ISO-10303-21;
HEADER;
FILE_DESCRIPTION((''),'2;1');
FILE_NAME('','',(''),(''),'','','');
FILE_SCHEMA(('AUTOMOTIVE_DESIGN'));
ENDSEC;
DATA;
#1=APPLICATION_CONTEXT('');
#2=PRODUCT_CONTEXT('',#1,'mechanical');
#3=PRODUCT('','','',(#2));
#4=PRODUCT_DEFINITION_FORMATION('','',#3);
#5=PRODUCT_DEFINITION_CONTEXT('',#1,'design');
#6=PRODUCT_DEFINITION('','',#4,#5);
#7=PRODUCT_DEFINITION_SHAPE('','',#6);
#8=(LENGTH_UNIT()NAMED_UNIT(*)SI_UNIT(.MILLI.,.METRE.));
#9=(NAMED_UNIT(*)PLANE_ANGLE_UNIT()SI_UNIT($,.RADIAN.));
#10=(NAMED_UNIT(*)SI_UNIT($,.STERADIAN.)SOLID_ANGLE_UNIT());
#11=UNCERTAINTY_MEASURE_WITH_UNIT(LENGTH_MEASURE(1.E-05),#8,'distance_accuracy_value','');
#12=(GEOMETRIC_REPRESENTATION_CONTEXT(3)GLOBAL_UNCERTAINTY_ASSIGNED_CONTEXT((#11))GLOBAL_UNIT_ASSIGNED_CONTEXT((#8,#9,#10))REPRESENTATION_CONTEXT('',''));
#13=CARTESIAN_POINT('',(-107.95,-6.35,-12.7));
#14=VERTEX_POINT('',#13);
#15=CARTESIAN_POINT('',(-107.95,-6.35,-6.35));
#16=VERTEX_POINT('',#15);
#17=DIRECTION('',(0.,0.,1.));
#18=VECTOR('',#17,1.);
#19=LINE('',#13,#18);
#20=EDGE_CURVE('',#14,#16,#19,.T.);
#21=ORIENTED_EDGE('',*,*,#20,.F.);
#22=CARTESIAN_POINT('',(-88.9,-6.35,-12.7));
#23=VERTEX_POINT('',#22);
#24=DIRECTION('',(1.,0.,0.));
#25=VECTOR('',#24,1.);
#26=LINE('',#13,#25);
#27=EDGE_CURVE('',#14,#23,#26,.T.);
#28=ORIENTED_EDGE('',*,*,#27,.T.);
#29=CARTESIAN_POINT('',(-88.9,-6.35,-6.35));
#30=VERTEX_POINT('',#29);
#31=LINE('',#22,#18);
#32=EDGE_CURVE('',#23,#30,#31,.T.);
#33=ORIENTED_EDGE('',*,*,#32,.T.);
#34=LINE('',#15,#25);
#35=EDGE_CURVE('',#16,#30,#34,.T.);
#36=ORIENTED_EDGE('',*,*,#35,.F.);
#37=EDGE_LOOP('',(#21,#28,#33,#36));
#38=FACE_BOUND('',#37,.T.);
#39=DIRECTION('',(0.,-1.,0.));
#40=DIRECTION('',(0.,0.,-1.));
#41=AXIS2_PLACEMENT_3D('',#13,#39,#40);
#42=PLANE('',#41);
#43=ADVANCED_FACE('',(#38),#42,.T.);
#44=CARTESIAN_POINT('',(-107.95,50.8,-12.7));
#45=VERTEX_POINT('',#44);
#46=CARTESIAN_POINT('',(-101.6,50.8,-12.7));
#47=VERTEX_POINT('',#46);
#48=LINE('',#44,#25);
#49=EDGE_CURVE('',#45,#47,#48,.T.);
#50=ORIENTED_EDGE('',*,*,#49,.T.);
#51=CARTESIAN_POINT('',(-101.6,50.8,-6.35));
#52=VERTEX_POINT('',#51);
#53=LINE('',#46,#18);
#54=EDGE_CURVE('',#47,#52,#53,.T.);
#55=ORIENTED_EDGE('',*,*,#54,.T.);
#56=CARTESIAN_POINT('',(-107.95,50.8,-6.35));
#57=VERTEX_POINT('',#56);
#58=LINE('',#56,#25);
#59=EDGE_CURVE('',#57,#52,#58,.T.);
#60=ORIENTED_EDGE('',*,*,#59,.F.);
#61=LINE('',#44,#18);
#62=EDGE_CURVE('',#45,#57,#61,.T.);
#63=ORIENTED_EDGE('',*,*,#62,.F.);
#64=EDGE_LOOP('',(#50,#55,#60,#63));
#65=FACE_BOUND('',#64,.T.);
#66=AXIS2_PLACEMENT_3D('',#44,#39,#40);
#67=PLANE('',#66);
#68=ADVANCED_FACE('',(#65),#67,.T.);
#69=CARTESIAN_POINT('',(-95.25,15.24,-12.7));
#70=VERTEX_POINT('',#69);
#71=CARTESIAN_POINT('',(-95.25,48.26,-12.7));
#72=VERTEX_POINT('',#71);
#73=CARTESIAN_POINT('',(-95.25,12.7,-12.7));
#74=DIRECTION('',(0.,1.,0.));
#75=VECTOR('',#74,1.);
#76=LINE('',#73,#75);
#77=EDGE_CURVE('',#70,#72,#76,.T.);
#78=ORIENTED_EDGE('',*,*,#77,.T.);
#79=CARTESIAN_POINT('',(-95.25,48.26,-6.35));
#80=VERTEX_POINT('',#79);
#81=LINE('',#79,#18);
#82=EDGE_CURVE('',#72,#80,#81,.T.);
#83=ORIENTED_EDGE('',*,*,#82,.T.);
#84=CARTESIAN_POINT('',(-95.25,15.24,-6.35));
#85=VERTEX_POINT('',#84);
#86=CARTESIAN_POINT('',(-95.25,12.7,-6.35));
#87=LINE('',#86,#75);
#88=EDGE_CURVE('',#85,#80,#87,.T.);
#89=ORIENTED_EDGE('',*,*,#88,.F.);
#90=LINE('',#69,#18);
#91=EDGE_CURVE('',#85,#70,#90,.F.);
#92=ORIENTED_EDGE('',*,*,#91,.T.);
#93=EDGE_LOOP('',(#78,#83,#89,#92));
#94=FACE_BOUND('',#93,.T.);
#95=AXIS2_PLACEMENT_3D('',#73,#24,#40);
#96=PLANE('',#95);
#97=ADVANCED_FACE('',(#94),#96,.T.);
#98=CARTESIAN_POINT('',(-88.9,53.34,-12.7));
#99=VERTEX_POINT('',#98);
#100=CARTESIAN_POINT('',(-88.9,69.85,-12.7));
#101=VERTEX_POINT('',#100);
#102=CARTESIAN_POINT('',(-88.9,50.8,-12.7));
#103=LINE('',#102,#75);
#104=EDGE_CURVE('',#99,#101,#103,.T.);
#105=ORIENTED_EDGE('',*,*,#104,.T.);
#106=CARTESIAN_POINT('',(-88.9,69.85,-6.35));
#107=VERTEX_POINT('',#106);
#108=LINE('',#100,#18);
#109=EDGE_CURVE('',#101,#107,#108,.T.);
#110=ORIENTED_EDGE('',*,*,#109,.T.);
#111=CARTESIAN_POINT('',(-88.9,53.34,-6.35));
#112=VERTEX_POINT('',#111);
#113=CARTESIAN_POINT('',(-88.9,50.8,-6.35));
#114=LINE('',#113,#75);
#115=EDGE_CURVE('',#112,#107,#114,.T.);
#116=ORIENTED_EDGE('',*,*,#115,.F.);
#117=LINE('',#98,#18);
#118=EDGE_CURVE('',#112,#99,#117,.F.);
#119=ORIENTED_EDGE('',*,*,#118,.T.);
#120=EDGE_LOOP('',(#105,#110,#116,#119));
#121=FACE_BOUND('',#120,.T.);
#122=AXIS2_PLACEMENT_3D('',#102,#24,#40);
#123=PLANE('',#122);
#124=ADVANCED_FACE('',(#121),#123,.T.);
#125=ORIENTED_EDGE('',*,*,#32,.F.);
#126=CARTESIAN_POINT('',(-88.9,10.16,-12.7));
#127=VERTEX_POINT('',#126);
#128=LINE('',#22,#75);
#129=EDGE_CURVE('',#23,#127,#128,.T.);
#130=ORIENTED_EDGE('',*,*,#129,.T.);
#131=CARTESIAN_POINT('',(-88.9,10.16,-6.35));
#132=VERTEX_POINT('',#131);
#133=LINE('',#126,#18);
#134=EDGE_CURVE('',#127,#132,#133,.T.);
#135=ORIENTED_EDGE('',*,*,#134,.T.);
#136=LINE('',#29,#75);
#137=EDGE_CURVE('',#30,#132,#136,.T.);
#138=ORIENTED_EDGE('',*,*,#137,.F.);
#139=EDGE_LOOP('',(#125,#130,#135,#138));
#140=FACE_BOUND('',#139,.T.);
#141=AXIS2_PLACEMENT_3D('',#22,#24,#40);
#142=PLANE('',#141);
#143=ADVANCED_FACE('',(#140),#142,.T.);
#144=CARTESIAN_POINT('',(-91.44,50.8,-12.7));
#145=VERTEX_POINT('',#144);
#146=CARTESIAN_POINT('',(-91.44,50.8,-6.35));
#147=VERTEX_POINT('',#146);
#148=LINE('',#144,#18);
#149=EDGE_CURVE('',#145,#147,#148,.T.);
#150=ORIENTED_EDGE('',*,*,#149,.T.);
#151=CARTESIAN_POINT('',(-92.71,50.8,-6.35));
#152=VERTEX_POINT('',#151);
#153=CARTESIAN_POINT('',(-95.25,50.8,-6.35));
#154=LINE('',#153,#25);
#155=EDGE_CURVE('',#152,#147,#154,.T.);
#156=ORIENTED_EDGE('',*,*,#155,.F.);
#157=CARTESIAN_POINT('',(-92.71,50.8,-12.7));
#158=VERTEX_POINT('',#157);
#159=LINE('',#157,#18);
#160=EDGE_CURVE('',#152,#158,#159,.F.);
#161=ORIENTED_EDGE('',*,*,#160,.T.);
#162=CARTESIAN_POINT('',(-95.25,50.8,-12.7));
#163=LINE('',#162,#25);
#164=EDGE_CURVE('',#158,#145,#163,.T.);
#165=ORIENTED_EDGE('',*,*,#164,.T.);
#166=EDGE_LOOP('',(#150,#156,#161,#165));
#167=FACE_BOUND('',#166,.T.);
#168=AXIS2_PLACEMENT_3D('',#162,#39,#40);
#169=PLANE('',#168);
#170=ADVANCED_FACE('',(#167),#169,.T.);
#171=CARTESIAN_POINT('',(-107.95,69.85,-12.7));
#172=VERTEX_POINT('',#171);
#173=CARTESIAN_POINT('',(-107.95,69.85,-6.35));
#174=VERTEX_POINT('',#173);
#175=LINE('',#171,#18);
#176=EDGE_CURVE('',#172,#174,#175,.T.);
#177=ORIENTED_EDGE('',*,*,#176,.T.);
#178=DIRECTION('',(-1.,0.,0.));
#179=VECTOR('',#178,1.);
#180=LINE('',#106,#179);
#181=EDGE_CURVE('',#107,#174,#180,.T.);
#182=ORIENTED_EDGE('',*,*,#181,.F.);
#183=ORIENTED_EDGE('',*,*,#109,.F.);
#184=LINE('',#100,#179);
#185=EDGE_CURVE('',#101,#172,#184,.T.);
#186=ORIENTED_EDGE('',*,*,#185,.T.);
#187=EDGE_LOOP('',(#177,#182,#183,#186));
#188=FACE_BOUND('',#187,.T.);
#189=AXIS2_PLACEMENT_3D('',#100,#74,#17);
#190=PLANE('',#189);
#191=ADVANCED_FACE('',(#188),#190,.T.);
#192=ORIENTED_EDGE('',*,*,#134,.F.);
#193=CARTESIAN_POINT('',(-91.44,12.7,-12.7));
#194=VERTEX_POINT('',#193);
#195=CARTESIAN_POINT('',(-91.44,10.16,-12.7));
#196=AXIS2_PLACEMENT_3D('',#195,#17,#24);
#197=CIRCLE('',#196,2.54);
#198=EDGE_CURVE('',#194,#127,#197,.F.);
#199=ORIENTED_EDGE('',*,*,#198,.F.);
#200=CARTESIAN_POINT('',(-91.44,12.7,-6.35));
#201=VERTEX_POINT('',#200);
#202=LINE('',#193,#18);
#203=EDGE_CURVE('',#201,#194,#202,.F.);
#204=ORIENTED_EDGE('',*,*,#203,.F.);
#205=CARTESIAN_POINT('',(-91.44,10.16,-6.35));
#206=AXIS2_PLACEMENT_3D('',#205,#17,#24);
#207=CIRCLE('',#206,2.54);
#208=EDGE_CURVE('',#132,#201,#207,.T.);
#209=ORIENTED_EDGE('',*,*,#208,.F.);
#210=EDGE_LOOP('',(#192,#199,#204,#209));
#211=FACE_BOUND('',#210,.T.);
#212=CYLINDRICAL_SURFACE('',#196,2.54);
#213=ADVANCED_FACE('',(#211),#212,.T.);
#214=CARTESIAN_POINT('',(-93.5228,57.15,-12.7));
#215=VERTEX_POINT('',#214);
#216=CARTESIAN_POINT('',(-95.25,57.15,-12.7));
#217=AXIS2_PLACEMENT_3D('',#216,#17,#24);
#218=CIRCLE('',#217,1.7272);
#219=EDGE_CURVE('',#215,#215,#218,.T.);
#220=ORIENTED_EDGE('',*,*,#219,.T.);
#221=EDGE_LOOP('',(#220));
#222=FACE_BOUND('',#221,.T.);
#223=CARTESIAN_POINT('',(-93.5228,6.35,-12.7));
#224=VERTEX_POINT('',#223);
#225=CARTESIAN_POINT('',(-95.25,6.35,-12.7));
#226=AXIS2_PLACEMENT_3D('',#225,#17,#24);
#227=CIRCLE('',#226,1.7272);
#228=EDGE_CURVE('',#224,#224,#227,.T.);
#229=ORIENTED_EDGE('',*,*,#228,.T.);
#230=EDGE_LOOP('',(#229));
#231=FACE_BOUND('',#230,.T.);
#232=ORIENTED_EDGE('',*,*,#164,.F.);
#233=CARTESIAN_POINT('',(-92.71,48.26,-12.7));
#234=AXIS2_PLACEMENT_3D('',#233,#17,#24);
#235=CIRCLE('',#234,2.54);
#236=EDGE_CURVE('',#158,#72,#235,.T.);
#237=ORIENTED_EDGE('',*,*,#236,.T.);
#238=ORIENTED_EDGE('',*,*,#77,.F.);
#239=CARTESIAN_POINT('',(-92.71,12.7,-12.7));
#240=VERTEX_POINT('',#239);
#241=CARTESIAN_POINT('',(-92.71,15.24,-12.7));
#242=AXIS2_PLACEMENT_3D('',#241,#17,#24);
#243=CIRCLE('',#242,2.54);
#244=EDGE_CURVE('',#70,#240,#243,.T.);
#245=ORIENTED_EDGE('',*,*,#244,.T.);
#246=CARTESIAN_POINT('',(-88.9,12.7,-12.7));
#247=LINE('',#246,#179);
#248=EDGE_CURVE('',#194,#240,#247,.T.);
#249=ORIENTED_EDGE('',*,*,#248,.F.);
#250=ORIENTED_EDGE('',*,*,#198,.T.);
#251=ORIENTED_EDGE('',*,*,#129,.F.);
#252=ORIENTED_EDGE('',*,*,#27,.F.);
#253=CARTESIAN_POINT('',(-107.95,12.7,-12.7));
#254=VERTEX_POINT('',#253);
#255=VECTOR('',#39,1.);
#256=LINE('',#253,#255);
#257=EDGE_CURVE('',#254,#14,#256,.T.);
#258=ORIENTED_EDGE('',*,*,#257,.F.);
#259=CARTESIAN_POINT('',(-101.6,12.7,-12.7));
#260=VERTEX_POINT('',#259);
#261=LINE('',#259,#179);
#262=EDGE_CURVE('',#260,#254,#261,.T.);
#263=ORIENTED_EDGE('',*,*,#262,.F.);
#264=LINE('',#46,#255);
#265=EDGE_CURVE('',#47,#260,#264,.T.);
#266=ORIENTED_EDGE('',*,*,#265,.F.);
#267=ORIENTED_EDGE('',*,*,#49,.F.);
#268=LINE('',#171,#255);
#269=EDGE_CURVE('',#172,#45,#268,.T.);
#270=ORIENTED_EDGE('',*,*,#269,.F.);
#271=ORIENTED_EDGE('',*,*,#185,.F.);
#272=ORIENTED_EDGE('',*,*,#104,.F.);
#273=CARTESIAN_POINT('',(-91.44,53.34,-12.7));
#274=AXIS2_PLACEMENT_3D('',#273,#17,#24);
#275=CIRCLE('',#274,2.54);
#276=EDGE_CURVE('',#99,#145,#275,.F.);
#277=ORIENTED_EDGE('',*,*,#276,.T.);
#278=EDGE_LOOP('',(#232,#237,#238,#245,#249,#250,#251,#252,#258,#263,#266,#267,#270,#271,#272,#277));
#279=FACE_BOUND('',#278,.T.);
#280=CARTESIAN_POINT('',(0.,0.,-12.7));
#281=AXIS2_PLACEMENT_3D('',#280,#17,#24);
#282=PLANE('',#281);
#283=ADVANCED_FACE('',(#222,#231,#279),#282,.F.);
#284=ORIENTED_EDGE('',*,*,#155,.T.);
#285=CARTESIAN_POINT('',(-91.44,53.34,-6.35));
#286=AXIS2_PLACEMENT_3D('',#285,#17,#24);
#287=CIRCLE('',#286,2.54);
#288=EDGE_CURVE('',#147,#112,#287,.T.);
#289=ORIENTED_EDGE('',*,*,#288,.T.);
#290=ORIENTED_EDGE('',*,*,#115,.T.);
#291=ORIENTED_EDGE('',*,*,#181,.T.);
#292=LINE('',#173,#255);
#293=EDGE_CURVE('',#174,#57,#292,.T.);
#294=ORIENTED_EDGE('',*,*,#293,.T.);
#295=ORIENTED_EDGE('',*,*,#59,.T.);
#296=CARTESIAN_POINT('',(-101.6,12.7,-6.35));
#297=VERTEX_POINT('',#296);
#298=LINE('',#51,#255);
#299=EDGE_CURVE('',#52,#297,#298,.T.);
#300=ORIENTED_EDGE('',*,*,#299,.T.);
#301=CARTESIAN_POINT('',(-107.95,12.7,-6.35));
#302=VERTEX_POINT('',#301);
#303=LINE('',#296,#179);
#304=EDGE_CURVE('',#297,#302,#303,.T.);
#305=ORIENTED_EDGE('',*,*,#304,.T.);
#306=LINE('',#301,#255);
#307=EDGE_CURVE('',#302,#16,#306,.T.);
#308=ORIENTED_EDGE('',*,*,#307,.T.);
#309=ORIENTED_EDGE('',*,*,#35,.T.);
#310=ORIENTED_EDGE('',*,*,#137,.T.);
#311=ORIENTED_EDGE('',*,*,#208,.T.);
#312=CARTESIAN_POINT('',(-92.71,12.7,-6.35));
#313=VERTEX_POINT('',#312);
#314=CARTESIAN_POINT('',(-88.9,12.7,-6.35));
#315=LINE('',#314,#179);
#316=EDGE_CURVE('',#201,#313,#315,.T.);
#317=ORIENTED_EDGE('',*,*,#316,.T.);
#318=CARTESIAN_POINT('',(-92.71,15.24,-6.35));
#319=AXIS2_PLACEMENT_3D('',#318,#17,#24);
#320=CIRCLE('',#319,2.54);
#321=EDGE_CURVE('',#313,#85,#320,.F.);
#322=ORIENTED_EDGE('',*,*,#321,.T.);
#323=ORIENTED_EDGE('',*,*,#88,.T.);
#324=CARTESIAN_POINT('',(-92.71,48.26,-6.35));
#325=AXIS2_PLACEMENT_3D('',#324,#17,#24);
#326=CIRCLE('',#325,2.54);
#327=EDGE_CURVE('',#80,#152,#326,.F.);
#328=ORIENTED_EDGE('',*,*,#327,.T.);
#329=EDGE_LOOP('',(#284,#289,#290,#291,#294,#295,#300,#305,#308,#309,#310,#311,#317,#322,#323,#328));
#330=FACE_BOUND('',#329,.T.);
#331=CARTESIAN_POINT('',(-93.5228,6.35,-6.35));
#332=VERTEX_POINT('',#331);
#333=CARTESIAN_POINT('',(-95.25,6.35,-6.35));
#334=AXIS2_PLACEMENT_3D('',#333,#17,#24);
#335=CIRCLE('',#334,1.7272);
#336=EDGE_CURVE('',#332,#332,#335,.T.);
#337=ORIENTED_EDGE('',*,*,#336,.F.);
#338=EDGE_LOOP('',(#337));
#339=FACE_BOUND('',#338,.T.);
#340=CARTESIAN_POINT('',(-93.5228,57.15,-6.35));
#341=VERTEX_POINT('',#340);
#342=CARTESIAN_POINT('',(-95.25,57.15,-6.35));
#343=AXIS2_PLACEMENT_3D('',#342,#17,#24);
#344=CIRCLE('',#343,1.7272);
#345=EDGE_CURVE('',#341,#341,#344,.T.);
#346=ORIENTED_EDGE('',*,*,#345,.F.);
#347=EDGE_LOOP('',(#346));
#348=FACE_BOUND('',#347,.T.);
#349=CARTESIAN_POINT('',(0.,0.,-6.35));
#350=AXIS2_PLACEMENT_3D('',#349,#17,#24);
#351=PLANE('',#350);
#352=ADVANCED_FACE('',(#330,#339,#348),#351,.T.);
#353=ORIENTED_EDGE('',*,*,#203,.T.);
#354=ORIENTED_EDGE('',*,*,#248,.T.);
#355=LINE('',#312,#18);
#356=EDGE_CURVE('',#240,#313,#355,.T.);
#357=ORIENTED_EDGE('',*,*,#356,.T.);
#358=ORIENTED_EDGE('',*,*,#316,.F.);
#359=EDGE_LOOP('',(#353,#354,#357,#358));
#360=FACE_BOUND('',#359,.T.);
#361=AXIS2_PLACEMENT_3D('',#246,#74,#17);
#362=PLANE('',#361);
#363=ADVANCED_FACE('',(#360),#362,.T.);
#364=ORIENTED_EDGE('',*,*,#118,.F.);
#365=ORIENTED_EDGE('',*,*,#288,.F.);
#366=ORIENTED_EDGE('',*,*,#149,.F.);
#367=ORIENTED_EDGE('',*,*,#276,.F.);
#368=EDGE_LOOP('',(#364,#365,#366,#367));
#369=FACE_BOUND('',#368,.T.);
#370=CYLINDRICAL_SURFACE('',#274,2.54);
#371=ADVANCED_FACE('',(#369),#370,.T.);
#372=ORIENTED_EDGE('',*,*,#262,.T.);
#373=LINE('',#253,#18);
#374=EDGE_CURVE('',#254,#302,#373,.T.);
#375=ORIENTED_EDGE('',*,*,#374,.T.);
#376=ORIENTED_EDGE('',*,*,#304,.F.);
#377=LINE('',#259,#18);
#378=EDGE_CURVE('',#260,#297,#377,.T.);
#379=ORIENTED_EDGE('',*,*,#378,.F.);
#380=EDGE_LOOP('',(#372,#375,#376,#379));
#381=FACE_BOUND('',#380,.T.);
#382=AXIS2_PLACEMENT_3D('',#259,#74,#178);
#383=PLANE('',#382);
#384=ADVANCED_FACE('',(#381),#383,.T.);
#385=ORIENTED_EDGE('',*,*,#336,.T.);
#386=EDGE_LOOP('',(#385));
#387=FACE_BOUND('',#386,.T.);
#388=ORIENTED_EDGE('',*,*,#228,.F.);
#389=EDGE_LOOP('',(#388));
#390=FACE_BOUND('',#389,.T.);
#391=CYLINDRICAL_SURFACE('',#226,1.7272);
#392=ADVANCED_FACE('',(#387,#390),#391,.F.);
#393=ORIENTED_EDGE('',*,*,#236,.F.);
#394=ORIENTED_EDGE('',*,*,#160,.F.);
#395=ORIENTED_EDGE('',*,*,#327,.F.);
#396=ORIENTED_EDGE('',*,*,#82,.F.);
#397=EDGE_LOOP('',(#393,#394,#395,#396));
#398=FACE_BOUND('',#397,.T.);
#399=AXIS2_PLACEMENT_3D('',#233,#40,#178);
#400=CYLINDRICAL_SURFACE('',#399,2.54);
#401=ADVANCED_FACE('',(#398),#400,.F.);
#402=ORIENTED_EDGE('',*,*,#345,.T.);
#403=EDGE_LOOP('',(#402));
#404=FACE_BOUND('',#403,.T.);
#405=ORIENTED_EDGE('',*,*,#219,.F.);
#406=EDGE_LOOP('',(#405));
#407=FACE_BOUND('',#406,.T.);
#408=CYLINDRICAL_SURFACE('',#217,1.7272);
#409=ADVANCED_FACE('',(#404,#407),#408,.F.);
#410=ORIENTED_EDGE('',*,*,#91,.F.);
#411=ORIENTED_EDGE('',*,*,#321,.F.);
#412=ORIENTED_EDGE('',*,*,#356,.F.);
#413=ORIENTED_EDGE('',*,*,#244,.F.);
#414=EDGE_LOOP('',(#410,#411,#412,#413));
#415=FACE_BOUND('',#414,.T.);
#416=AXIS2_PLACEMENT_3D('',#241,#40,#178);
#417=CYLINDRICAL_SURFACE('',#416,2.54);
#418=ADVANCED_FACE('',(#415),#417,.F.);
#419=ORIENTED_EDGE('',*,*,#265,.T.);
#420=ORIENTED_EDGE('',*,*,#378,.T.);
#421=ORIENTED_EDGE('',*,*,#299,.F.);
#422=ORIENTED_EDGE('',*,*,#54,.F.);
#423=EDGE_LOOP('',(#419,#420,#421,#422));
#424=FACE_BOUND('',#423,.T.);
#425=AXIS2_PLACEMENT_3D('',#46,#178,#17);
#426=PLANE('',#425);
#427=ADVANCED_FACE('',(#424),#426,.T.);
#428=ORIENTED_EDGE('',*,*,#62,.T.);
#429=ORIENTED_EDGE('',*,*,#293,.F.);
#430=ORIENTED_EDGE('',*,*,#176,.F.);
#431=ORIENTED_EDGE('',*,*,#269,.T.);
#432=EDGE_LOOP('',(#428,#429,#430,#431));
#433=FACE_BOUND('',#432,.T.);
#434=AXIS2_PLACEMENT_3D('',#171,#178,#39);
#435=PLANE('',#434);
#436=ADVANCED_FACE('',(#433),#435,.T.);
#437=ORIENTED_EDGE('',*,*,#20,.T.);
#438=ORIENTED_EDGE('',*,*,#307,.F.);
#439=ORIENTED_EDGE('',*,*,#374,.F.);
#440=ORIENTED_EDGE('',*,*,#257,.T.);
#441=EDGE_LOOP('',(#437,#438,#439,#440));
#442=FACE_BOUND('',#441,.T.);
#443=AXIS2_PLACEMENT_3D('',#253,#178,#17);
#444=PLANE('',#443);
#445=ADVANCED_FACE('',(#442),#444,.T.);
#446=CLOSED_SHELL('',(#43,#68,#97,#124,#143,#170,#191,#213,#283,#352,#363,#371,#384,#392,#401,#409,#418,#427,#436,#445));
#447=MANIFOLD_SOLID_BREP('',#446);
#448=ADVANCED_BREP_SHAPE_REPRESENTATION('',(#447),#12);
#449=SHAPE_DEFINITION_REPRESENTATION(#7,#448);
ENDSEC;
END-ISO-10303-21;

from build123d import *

# Parameters (mm, degrees)
BOSS_EXTRUDE1_START = -6.35
BOSS_EXTRUDE1_DEPTH = 6.35
FILLET1_R           = 2.54
SKETCH2_R           = 1.7272
CUT_EXTRUDE1_DEPTH  = 129.734406823


with BuildPart() as part:
    # Sketch1 → Boss-Extrude1 (new body)
    with BuildSketch(Plane.XY.offset(BOSS_EXTRUDE1_START)):
        Polygon((-107.95, -6.35), (-88.9, -6.35), (-88.9, 12.7), (-95.25, 12.7), (-95.25, 50.8), (-88.9, 50.8), (-88.9, 69.85), (-107.95, 69.85), (-107.95, 50.8), (-101.6, 50.8), (-101.6, 12.7), (-107.95, 12.7), align=None)
    extrude(amount=-BOSS_EXTRUDE1_DEPTH)

    # Fillet1
    fillet1_edges = [part.edges().sort_by_distance(p)[0] for p in [
        (-88.9, 50.8, -9.525),
        (-95.25, 50.8, -9.525),
        (-95.25, 12.7, -9.525),
        (-88.9, 12.7, -9.525),
    ]]
    fillet(fillet1_edges, radius=FILLET1_R)

    # Sketch2 → Cut-Extrude1 (cut, through all)
    with BuildSketch(Plane.XY.offset(-6.35)):
        with Locations((-95.25, 6.35)):
            Circle(SKETCH2_R)
        with Locations((-95.25, 57.15)):
            Circle(SKETCH2_R)
    extrude(amount=-CUT_EXTRUDE1_DEPTH, mode=Mode.SUBTRACT)


solid = part.part
